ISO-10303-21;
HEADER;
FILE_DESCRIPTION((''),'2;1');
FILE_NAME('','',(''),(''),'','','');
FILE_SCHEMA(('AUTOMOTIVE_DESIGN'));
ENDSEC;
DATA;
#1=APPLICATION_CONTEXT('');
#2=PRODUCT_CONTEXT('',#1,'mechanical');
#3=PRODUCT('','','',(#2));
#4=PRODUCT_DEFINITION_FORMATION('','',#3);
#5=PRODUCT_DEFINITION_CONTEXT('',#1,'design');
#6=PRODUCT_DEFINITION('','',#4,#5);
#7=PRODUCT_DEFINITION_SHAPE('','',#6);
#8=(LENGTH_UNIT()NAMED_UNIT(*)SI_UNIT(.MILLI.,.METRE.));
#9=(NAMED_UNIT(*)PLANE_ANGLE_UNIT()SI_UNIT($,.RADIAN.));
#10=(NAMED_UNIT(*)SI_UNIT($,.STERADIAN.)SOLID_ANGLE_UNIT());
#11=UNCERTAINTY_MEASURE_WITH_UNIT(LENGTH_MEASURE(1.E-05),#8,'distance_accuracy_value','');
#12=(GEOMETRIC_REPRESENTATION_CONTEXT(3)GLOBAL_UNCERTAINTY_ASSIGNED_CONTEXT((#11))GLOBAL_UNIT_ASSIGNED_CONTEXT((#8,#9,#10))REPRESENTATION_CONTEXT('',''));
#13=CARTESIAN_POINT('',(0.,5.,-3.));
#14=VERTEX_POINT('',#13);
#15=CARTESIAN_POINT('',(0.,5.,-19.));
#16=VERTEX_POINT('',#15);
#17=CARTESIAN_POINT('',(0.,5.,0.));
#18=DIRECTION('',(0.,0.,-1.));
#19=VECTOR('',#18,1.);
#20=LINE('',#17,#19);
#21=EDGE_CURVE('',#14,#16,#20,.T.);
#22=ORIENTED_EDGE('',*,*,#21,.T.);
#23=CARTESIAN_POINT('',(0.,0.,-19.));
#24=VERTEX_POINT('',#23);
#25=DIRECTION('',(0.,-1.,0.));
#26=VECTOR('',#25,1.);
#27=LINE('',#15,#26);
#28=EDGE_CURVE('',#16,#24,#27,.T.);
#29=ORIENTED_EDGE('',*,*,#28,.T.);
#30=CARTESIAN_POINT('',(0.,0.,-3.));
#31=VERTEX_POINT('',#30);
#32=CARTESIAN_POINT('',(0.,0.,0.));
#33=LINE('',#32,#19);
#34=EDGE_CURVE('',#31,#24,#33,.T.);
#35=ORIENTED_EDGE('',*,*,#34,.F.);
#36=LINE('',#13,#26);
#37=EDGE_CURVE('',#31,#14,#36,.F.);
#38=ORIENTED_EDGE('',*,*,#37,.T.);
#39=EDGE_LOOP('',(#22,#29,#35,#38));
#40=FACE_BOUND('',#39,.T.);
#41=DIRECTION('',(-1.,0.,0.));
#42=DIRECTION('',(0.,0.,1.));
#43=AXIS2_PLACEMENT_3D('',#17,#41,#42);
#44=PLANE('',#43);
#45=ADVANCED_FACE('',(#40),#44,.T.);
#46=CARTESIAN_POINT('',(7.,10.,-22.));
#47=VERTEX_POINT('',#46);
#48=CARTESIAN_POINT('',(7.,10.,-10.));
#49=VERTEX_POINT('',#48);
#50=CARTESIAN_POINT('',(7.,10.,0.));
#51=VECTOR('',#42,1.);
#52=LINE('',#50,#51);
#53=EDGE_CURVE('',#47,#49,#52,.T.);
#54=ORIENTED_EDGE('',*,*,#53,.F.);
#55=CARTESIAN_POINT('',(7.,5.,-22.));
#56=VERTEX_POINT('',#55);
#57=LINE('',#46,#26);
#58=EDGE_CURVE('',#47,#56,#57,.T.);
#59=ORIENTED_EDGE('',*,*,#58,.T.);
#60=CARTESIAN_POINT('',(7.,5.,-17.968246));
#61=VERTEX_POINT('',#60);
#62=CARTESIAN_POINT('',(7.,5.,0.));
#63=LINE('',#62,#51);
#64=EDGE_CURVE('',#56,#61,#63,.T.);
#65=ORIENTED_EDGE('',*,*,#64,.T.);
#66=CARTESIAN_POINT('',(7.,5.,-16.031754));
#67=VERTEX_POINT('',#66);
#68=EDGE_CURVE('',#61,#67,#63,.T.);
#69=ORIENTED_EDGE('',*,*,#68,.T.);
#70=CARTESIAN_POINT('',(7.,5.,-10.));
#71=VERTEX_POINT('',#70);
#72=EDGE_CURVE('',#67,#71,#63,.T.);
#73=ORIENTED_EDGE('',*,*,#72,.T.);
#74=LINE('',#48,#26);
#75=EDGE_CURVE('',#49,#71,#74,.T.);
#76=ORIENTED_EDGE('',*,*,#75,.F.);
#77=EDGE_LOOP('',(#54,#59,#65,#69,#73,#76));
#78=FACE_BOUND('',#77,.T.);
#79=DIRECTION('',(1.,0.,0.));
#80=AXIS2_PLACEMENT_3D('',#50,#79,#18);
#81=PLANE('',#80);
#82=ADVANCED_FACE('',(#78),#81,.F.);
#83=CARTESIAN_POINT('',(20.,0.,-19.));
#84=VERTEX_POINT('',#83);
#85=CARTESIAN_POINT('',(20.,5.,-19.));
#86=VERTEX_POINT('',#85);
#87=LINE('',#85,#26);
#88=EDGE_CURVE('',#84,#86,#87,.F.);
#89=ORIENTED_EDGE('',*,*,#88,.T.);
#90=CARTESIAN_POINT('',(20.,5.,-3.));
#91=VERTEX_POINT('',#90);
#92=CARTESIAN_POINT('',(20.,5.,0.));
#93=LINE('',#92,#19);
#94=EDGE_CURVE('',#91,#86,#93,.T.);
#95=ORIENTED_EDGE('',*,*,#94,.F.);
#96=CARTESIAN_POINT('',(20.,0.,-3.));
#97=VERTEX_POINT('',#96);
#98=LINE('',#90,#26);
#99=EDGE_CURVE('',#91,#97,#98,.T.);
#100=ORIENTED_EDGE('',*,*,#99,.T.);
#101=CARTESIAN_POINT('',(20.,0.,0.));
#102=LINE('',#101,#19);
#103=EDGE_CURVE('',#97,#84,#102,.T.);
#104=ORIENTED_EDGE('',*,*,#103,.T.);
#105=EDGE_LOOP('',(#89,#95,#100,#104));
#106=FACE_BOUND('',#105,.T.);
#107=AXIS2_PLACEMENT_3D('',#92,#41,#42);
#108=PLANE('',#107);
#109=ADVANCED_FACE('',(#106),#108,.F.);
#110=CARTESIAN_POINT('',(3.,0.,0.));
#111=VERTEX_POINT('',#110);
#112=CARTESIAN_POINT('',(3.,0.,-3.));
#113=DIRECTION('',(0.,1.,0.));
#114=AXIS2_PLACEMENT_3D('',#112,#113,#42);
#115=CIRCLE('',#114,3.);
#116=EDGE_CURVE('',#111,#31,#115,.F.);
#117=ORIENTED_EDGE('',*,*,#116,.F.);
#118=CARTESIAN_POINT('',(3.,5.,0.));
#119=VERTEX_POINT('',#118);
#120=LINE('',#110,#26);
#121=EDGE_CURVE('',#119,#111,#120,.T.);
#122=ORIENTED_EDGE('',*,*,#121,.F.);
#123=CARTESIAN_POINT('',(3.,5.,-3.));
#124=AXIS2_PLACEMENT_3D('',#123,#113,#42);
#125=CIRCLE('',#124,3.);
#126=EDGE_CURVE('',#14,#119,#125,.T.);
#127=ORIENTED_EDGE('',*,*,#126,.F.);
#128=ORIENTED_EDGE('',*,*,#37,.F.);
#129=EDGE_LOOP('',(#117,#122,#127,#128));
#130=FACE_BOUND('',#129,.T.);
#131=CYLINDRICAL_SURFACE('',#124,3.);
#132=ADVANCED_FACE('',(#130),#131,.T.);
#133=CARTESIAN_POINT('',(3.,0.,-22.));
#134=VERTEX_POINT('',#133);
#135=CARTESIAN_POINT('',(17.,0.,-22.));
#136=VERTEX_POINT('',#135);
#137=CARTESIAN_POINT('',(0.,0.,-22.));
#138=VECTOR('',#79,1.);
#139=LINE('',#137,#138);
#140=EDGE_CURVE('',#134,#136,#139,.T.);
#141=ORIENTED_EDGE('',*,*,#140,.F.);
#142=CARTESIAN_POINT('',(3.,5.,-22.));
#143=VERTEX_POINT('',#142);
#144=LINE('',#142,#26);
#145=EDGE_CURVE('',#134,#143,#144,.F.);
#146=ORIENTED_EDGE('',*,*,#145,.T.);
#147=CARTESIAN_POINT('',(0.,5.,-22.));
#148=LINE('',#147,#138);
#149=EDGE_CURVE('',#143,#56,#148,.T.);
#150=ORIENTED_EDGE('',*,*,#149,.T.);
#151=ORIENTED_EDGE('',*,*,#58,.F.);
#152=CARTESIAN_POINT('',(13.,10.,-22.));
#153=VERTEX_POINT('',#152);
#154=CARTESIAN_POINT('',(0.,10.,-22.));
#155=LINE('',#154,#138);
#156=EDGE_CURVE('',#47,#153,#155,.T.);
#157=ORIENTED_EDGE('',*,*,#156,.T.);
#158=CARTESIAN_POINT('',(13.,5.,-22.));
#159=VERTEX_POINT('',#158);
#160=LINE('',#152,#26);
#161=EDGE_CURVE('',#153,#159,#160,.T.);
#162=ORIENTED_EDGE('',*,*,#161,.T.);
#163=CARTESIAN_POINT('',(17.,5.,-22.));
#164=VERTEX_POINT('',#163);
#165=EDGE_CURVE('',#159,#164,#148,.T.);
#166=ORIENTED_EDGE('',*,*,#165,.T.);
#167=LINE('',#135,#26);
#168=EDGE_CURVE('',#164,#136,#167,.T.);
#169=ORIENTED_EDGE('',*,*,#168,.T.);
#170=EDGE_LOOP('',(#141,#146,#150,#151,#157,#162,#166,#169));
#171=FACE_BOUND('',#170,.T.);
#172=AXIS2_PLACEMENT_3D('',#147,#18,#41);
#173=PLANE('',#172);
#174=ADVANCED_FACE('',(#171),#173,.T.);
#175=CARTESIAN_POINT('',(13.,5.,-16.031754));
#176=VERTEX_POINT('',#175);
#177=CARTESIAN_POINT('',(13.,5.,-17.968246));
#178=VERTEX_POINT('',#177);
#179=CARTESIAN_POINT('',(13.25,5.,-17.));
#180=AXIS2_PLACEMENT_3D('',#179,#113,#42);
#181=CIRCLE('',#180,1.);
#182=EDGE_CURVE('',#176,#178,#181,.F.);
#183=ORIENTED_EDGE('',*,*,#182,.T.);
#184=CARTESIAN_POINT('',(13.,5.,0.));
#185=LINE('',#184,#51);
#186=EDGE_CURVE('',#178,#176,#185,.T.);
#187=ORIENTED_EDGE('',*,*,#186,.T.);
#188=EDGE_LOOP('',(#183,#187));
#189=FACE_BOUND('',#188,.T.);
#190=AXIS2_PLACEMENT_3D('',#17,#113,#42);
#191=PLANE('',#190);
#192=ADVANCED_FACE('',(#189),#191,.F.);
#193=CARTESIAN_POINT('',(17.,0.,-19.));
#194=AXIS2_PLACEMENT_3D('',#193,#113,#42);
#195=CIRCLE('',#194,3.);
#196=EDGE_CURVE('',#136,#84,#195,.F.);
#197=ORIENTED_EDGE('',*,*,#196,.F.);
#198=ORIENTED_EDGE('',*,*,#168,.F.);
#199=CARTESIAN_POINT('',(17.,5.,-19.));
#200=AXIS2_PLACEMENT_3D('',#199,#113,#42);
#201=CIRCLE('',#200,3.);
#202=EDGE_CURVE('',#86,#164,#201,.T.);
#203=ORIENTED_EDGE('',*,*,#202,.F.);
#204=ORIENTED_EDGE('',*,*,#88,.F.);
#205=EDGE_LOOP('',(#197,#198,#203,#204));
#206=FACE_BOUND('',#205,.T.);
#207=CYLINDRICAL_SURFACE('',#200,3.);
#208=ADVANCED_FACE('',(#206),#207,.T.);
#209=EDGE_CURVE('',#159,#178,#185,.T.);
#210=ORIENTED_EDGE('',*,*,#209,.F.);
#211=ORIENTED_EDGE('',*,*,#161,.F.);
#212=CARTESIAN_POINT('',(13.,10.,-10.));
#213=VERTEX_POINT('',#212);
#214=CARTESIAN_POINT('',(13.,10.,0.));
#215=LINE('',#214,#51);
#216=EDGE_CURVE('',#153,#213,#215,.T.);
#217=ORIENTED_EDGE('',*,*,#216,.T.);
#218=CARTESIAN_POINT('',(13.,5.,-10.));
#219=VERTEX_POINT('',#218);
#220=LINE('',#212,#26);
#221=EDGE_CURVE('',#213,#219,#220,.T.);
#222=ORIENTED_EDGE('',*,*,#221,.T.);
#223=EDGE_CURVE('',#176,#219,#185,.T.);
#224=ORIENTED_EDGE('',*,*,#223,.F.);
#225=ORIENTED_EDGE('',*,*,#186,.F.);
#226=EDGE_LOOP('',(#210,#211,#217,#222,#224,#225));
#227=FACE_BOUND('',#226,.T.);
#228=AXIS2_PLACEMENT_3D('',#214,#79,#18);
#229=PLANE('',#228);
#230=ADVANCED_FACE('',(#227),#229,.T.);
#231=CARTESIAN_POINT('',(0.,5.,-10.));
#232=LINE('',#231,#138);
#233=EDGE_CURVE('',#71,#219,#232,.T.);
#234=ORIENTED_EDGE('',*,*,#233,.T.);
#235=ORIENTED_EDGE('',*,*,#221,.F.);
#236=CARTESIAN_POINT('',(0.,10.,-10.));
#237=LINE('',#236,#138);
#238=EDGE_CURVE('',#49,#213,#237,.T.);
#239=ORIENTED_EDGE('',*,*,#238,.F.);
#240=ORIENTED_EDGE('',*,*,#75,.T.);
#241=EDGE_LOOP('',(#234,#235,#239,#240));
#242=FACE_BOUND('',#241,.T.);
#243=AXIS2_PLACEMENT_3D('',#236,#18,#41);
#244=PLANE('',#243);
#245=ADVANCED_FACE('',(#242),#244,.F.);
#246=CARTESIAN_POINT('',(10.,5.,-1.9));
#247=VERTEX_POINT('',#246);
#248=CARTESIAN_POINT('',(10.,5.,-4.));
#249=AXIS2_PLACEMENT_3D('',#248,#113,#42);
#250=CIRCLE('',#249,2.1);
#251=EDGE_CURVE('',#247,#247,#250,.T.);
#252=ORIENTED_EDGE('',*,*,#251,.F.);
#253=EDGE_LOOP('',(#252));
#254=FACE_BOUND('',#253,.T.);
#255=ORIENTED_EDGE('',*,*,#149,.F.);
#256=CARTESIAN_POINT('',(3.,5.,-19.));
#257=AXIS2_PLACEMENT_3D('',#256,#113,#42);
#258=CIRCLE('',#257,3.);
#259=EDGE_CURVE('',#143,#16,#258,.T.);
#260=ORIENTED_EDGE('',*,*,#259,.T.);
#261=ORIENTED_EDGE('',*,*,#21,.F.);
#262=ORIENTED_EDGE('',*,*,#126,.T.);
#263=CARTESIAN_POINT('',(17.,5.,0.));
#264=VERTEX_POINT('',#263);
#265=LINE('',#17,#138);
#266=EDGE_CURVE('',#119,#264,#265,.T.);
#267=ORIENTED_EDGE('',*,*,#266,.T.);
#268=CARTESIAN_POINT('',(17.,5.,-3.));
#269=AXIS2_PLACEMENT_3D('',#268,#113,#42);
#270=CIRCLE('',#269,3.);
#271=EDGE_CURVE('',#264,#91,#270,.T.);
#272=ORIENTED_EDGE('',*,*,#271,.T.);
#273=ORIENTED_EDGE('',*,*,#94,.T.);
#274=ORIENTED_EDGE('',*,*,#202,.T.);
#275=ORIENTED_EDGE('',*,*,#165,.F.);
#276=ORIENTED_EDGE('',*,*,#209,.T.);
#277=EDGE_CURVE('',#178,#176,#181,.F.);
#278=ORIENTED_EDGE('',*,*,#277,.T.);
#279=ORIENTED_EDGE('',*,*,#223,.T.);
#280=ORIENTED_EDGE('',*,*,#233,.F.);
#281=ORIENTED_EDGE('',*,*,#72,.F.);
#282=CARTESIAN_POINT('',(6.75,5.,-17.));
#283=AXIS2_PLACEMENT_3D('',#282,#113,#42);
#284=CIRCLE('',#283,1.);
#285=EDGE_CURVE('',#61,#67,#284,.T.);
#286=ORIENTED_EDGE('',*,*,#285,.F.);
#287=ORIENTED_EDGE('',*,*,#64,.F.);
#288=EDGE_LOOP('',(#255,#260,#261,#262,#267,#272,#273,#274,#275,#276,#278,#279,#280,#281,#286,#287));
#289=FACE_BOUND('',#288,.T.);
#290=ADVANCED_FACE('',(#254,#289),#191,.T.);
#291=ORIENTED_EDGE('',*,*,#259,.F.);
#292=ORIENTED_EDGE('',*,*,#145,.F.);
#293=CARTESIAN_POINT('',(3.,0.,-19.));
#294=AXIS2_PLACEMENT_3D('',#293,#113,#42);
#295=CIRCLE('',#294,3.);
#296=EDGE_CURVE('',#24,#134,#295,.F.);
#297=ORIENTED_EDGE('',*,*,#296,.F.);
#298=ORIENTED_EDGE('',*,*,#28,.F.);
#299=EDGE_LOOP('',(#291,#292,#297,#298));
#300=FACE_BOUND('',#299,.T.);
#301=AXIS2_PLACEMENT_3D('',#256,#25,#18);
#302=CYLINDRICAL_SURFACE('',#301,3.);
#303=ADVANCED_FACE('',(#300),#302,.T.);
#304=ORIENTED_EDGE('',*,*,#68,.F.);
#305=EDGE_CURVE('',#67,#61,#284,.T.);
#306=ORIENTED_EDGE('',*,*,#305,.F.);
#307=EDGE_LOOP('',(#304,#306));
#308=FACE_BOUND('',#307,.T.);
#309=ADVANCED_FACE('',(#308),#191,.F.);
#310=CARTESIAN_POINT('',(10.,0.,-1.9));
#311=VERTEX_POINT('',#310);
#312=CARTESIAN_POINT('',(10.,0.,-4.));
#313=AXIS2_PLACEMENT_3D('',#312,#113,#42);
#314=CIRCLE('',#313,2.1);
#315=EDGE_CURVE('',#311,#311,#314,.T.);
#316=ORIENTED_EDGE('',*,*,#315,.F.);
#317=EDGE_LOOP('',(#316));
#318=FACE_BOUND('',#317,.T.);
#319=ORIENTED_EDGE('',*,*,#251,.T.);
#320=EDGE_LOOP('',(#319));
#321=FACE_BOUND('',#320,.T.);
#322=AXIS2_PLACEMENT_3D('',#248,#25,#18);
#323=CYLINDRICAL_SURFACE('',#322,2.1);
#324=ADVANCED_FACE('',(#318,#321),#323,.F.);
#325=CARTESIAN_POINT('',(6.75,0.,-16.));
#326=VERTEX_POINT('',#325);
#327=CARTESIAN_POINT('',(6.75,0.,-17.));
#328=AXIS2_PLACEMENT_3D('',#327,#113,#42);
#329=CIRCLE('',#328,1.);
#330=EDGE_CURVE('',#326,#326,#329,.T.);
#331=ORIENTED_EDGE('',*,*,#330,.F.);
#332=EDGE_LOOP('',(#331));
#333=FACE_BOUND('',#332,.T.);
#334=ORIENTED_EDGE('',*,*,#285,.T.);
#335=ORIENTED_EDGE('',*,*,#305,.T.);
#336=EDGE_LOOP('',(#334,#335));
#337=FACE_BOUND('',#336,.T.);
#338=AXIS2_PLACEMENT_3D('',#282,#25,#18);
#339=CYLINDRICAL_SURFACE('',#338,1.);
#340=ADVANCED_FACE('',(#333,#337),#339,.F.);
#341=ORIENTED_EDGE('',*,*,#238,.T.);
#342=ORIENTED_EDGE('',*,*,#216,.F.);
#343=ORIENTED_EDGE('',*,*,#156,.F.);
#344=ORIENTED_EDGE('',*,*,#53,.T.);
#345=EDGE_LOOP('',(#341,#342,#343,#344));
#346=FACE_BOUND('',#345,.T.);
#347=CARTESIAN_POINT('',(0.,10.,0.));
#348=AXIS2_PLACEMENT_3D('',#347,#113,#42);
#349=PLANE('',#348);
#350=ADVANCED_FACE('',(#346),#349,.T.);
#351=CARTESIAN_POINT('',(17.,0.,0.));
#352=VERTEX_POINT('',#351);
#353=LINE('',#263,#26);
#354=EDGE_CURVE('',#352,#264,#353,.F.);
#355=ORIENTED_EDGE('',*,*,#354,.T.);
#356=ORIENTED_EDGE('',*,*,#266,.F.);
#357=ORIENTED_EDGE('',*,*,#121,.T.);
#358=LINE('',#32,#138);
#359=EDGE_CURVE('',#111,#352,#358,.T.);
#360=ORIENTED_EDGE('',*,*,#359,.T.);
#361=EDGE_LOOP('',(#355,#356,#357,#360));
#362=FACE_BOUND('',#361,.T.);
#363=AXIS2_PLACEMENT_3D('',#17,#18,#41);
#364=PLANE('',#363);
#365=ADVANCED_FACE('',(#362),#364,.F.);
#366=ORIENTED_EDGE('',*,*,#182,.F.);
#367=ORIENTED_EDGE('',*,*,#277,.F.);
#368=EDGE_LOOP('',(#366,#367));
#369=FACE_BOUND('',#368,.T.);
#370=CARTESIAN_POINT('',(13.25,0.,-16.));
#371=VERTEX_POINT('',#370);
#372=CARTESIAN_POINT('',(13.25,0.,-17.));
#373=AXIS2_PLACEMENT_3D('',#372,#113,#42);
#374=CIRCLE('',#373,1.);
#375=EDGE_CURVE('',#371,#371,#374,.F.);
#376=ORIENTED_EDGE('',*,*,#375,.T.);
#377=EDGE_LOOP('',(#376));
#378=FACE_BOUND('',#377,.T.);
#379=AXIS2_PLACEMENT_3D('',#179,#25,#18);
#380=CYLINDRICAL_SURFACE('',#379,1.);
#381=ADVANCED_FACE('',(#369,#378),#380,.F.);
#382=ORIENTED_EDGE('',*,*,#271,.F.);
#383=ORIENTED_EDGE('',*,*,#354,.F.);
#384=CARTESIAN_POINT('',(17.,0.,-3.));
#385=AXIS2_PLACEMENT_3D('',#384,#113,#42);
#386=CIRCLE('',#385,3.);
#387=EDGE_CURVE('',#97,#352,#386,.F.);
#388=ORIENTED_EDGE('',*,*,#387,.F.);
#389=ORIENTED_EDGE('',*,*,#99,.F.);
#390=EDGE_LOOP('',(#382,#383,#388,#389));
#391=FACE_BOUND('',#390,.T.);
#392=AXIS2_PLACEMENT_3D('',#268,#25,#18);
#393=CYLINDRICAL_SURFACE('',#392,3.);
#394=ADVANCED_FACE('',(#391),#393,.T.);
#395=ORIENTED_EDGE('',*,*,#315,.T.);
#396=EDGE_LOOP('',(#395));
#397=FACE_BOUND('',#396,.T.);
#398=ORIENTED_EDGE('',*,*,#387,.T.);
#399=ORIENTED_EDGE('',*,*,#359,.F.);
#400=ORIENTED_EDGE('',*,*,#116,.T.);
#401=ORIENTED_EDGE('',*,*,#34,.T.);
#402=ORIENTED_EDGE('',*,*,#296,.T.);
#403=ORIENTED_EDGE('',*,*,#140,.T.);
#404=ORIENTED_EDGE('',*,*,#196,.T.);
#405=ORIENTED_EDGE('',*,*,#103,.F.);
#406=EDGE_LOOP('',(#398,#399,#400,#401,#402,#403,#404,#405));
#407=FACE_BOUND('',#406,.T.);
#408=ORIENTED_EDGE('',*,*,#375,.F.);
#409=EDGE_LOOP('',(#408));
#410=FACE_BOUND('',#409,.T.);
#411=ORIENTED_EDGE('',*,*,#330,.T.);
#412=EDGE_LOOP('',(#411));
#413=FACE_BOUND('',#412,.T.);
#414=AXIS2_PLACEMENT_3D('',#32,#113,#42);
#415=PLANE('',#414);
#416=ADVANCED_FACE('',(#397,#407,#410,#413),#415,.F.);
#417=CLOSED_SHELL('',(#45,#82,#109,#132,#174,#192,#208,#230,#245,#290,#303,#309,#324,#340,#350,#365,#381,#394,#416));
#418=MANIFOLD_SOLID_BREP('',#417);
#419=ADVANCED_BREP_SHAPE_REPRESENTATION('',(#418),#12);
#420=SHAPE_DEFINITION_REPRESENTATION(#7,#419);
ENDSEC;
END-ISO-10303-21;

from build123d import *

# Parameters (mm, degrees)
SKETCH_1_R      = 2.1
EXTRUDE_1_DEPTH = 5
EXTRUDE_START   = 5
SKETCH_1_3_W    = 6
SKETCH_1_3_H    = 12
EXTRUDE_2_DEPTH = 5
FILLET_2_R      = 3


with BuildPart() as part:
    # 草图1 → 凸台-拉伸1 (new body)
    # profile 1 of 2: a face of its own
    with BuildSketch(Plane(origin=(0, 0, 0), x_dir=(1, 0, 0), z_dir=(0, 1, 0))):
        with BuildLine():
            Line((0, 22), (0, 0))
            Line((0, 0), (20, 0))
            Line((20, 0), (20, 22))
            Line((20, 22), (13, 22))
            Line((13, 22), (13, 17.968245837))
            ThreePointArc((13, 17.968245837), (13.862372436, 17.790569415), (14.25, 17))
            ThreePointArc((14.25, 17), (13.862372436, 16.209430585), (13, 16.031754163))
            Line((13, 16.031754163), (13, 10))
            Line((13, 10), (7, 10))
            Line((7, 10), (7, 16.031754163))
            ThreePointArc((7, 16.031754163), (5.75, 17), (7, 17.968245837))
            Line((7, 17.968245837), (7, 22))
            Line((7, 22), (0, 22))
        make_face()
        with Locations(Location((10, 4, 0), (0, 0, 270))):
            Circle(SKETCH_1_R, mode=Mode.SUBTRACT)
    # profile 2 of 2: a face of its own
    with BuildSketch(Plane(origin=(0, 0, 0), x_dir=(1, 0, 0), z_dir=(0, 1, 0))):
        with BuildLine():
            Line((13, 22), (7, 22))
            Line((7, 22), (7, 17.968245837))
            ThreePointArc((7, 17.968245837), (7.540569415, 17.612372436), (7.75, 17))
            ThreePointArc((7.75, 17), (7.540569415, 16.387627564), (7, 16.031754163))
            Line((7, 16.031754163), (7, 10))
            Line((7, 10), (13, 10))
            Line((13, 10), (13, 16.031754163))
            ThreePointArc((13, 16.031754163), (12.25, 17), (13, 17.968245837))
            Line((13, 17.968245837), (13, 22))
        make_face()
    extrude(amount=EXTRUDE_1_DEPTH)

    # 草图1<3> → 凸台-拉伸2 (add)
    with BuildSketch(Plane(origin=(0, 0, 0), x_dir=(1, 0, 0), z_dir=(0, 1, 0)).offset(EXTRUDE_START)):
        with Locations((10, 16)):
            Rectangle(SKETCH_1_3_W, SKETCH_1_3_H)
    extrude(amount=EXTRUDE_2_DEPTH)

    # 圆角2
    fillet_2_edges = [part.edges().sort_by_distance(p)[0] for p in [
        (20, 2.5, 0),
        (0, 2.5, 0),
        (0, 2.5, -22),
        (20, 2.5, -22),
    ]]
    fillet(fillet_2_edges, radius=FILLET_2_R)


solid = part.part
